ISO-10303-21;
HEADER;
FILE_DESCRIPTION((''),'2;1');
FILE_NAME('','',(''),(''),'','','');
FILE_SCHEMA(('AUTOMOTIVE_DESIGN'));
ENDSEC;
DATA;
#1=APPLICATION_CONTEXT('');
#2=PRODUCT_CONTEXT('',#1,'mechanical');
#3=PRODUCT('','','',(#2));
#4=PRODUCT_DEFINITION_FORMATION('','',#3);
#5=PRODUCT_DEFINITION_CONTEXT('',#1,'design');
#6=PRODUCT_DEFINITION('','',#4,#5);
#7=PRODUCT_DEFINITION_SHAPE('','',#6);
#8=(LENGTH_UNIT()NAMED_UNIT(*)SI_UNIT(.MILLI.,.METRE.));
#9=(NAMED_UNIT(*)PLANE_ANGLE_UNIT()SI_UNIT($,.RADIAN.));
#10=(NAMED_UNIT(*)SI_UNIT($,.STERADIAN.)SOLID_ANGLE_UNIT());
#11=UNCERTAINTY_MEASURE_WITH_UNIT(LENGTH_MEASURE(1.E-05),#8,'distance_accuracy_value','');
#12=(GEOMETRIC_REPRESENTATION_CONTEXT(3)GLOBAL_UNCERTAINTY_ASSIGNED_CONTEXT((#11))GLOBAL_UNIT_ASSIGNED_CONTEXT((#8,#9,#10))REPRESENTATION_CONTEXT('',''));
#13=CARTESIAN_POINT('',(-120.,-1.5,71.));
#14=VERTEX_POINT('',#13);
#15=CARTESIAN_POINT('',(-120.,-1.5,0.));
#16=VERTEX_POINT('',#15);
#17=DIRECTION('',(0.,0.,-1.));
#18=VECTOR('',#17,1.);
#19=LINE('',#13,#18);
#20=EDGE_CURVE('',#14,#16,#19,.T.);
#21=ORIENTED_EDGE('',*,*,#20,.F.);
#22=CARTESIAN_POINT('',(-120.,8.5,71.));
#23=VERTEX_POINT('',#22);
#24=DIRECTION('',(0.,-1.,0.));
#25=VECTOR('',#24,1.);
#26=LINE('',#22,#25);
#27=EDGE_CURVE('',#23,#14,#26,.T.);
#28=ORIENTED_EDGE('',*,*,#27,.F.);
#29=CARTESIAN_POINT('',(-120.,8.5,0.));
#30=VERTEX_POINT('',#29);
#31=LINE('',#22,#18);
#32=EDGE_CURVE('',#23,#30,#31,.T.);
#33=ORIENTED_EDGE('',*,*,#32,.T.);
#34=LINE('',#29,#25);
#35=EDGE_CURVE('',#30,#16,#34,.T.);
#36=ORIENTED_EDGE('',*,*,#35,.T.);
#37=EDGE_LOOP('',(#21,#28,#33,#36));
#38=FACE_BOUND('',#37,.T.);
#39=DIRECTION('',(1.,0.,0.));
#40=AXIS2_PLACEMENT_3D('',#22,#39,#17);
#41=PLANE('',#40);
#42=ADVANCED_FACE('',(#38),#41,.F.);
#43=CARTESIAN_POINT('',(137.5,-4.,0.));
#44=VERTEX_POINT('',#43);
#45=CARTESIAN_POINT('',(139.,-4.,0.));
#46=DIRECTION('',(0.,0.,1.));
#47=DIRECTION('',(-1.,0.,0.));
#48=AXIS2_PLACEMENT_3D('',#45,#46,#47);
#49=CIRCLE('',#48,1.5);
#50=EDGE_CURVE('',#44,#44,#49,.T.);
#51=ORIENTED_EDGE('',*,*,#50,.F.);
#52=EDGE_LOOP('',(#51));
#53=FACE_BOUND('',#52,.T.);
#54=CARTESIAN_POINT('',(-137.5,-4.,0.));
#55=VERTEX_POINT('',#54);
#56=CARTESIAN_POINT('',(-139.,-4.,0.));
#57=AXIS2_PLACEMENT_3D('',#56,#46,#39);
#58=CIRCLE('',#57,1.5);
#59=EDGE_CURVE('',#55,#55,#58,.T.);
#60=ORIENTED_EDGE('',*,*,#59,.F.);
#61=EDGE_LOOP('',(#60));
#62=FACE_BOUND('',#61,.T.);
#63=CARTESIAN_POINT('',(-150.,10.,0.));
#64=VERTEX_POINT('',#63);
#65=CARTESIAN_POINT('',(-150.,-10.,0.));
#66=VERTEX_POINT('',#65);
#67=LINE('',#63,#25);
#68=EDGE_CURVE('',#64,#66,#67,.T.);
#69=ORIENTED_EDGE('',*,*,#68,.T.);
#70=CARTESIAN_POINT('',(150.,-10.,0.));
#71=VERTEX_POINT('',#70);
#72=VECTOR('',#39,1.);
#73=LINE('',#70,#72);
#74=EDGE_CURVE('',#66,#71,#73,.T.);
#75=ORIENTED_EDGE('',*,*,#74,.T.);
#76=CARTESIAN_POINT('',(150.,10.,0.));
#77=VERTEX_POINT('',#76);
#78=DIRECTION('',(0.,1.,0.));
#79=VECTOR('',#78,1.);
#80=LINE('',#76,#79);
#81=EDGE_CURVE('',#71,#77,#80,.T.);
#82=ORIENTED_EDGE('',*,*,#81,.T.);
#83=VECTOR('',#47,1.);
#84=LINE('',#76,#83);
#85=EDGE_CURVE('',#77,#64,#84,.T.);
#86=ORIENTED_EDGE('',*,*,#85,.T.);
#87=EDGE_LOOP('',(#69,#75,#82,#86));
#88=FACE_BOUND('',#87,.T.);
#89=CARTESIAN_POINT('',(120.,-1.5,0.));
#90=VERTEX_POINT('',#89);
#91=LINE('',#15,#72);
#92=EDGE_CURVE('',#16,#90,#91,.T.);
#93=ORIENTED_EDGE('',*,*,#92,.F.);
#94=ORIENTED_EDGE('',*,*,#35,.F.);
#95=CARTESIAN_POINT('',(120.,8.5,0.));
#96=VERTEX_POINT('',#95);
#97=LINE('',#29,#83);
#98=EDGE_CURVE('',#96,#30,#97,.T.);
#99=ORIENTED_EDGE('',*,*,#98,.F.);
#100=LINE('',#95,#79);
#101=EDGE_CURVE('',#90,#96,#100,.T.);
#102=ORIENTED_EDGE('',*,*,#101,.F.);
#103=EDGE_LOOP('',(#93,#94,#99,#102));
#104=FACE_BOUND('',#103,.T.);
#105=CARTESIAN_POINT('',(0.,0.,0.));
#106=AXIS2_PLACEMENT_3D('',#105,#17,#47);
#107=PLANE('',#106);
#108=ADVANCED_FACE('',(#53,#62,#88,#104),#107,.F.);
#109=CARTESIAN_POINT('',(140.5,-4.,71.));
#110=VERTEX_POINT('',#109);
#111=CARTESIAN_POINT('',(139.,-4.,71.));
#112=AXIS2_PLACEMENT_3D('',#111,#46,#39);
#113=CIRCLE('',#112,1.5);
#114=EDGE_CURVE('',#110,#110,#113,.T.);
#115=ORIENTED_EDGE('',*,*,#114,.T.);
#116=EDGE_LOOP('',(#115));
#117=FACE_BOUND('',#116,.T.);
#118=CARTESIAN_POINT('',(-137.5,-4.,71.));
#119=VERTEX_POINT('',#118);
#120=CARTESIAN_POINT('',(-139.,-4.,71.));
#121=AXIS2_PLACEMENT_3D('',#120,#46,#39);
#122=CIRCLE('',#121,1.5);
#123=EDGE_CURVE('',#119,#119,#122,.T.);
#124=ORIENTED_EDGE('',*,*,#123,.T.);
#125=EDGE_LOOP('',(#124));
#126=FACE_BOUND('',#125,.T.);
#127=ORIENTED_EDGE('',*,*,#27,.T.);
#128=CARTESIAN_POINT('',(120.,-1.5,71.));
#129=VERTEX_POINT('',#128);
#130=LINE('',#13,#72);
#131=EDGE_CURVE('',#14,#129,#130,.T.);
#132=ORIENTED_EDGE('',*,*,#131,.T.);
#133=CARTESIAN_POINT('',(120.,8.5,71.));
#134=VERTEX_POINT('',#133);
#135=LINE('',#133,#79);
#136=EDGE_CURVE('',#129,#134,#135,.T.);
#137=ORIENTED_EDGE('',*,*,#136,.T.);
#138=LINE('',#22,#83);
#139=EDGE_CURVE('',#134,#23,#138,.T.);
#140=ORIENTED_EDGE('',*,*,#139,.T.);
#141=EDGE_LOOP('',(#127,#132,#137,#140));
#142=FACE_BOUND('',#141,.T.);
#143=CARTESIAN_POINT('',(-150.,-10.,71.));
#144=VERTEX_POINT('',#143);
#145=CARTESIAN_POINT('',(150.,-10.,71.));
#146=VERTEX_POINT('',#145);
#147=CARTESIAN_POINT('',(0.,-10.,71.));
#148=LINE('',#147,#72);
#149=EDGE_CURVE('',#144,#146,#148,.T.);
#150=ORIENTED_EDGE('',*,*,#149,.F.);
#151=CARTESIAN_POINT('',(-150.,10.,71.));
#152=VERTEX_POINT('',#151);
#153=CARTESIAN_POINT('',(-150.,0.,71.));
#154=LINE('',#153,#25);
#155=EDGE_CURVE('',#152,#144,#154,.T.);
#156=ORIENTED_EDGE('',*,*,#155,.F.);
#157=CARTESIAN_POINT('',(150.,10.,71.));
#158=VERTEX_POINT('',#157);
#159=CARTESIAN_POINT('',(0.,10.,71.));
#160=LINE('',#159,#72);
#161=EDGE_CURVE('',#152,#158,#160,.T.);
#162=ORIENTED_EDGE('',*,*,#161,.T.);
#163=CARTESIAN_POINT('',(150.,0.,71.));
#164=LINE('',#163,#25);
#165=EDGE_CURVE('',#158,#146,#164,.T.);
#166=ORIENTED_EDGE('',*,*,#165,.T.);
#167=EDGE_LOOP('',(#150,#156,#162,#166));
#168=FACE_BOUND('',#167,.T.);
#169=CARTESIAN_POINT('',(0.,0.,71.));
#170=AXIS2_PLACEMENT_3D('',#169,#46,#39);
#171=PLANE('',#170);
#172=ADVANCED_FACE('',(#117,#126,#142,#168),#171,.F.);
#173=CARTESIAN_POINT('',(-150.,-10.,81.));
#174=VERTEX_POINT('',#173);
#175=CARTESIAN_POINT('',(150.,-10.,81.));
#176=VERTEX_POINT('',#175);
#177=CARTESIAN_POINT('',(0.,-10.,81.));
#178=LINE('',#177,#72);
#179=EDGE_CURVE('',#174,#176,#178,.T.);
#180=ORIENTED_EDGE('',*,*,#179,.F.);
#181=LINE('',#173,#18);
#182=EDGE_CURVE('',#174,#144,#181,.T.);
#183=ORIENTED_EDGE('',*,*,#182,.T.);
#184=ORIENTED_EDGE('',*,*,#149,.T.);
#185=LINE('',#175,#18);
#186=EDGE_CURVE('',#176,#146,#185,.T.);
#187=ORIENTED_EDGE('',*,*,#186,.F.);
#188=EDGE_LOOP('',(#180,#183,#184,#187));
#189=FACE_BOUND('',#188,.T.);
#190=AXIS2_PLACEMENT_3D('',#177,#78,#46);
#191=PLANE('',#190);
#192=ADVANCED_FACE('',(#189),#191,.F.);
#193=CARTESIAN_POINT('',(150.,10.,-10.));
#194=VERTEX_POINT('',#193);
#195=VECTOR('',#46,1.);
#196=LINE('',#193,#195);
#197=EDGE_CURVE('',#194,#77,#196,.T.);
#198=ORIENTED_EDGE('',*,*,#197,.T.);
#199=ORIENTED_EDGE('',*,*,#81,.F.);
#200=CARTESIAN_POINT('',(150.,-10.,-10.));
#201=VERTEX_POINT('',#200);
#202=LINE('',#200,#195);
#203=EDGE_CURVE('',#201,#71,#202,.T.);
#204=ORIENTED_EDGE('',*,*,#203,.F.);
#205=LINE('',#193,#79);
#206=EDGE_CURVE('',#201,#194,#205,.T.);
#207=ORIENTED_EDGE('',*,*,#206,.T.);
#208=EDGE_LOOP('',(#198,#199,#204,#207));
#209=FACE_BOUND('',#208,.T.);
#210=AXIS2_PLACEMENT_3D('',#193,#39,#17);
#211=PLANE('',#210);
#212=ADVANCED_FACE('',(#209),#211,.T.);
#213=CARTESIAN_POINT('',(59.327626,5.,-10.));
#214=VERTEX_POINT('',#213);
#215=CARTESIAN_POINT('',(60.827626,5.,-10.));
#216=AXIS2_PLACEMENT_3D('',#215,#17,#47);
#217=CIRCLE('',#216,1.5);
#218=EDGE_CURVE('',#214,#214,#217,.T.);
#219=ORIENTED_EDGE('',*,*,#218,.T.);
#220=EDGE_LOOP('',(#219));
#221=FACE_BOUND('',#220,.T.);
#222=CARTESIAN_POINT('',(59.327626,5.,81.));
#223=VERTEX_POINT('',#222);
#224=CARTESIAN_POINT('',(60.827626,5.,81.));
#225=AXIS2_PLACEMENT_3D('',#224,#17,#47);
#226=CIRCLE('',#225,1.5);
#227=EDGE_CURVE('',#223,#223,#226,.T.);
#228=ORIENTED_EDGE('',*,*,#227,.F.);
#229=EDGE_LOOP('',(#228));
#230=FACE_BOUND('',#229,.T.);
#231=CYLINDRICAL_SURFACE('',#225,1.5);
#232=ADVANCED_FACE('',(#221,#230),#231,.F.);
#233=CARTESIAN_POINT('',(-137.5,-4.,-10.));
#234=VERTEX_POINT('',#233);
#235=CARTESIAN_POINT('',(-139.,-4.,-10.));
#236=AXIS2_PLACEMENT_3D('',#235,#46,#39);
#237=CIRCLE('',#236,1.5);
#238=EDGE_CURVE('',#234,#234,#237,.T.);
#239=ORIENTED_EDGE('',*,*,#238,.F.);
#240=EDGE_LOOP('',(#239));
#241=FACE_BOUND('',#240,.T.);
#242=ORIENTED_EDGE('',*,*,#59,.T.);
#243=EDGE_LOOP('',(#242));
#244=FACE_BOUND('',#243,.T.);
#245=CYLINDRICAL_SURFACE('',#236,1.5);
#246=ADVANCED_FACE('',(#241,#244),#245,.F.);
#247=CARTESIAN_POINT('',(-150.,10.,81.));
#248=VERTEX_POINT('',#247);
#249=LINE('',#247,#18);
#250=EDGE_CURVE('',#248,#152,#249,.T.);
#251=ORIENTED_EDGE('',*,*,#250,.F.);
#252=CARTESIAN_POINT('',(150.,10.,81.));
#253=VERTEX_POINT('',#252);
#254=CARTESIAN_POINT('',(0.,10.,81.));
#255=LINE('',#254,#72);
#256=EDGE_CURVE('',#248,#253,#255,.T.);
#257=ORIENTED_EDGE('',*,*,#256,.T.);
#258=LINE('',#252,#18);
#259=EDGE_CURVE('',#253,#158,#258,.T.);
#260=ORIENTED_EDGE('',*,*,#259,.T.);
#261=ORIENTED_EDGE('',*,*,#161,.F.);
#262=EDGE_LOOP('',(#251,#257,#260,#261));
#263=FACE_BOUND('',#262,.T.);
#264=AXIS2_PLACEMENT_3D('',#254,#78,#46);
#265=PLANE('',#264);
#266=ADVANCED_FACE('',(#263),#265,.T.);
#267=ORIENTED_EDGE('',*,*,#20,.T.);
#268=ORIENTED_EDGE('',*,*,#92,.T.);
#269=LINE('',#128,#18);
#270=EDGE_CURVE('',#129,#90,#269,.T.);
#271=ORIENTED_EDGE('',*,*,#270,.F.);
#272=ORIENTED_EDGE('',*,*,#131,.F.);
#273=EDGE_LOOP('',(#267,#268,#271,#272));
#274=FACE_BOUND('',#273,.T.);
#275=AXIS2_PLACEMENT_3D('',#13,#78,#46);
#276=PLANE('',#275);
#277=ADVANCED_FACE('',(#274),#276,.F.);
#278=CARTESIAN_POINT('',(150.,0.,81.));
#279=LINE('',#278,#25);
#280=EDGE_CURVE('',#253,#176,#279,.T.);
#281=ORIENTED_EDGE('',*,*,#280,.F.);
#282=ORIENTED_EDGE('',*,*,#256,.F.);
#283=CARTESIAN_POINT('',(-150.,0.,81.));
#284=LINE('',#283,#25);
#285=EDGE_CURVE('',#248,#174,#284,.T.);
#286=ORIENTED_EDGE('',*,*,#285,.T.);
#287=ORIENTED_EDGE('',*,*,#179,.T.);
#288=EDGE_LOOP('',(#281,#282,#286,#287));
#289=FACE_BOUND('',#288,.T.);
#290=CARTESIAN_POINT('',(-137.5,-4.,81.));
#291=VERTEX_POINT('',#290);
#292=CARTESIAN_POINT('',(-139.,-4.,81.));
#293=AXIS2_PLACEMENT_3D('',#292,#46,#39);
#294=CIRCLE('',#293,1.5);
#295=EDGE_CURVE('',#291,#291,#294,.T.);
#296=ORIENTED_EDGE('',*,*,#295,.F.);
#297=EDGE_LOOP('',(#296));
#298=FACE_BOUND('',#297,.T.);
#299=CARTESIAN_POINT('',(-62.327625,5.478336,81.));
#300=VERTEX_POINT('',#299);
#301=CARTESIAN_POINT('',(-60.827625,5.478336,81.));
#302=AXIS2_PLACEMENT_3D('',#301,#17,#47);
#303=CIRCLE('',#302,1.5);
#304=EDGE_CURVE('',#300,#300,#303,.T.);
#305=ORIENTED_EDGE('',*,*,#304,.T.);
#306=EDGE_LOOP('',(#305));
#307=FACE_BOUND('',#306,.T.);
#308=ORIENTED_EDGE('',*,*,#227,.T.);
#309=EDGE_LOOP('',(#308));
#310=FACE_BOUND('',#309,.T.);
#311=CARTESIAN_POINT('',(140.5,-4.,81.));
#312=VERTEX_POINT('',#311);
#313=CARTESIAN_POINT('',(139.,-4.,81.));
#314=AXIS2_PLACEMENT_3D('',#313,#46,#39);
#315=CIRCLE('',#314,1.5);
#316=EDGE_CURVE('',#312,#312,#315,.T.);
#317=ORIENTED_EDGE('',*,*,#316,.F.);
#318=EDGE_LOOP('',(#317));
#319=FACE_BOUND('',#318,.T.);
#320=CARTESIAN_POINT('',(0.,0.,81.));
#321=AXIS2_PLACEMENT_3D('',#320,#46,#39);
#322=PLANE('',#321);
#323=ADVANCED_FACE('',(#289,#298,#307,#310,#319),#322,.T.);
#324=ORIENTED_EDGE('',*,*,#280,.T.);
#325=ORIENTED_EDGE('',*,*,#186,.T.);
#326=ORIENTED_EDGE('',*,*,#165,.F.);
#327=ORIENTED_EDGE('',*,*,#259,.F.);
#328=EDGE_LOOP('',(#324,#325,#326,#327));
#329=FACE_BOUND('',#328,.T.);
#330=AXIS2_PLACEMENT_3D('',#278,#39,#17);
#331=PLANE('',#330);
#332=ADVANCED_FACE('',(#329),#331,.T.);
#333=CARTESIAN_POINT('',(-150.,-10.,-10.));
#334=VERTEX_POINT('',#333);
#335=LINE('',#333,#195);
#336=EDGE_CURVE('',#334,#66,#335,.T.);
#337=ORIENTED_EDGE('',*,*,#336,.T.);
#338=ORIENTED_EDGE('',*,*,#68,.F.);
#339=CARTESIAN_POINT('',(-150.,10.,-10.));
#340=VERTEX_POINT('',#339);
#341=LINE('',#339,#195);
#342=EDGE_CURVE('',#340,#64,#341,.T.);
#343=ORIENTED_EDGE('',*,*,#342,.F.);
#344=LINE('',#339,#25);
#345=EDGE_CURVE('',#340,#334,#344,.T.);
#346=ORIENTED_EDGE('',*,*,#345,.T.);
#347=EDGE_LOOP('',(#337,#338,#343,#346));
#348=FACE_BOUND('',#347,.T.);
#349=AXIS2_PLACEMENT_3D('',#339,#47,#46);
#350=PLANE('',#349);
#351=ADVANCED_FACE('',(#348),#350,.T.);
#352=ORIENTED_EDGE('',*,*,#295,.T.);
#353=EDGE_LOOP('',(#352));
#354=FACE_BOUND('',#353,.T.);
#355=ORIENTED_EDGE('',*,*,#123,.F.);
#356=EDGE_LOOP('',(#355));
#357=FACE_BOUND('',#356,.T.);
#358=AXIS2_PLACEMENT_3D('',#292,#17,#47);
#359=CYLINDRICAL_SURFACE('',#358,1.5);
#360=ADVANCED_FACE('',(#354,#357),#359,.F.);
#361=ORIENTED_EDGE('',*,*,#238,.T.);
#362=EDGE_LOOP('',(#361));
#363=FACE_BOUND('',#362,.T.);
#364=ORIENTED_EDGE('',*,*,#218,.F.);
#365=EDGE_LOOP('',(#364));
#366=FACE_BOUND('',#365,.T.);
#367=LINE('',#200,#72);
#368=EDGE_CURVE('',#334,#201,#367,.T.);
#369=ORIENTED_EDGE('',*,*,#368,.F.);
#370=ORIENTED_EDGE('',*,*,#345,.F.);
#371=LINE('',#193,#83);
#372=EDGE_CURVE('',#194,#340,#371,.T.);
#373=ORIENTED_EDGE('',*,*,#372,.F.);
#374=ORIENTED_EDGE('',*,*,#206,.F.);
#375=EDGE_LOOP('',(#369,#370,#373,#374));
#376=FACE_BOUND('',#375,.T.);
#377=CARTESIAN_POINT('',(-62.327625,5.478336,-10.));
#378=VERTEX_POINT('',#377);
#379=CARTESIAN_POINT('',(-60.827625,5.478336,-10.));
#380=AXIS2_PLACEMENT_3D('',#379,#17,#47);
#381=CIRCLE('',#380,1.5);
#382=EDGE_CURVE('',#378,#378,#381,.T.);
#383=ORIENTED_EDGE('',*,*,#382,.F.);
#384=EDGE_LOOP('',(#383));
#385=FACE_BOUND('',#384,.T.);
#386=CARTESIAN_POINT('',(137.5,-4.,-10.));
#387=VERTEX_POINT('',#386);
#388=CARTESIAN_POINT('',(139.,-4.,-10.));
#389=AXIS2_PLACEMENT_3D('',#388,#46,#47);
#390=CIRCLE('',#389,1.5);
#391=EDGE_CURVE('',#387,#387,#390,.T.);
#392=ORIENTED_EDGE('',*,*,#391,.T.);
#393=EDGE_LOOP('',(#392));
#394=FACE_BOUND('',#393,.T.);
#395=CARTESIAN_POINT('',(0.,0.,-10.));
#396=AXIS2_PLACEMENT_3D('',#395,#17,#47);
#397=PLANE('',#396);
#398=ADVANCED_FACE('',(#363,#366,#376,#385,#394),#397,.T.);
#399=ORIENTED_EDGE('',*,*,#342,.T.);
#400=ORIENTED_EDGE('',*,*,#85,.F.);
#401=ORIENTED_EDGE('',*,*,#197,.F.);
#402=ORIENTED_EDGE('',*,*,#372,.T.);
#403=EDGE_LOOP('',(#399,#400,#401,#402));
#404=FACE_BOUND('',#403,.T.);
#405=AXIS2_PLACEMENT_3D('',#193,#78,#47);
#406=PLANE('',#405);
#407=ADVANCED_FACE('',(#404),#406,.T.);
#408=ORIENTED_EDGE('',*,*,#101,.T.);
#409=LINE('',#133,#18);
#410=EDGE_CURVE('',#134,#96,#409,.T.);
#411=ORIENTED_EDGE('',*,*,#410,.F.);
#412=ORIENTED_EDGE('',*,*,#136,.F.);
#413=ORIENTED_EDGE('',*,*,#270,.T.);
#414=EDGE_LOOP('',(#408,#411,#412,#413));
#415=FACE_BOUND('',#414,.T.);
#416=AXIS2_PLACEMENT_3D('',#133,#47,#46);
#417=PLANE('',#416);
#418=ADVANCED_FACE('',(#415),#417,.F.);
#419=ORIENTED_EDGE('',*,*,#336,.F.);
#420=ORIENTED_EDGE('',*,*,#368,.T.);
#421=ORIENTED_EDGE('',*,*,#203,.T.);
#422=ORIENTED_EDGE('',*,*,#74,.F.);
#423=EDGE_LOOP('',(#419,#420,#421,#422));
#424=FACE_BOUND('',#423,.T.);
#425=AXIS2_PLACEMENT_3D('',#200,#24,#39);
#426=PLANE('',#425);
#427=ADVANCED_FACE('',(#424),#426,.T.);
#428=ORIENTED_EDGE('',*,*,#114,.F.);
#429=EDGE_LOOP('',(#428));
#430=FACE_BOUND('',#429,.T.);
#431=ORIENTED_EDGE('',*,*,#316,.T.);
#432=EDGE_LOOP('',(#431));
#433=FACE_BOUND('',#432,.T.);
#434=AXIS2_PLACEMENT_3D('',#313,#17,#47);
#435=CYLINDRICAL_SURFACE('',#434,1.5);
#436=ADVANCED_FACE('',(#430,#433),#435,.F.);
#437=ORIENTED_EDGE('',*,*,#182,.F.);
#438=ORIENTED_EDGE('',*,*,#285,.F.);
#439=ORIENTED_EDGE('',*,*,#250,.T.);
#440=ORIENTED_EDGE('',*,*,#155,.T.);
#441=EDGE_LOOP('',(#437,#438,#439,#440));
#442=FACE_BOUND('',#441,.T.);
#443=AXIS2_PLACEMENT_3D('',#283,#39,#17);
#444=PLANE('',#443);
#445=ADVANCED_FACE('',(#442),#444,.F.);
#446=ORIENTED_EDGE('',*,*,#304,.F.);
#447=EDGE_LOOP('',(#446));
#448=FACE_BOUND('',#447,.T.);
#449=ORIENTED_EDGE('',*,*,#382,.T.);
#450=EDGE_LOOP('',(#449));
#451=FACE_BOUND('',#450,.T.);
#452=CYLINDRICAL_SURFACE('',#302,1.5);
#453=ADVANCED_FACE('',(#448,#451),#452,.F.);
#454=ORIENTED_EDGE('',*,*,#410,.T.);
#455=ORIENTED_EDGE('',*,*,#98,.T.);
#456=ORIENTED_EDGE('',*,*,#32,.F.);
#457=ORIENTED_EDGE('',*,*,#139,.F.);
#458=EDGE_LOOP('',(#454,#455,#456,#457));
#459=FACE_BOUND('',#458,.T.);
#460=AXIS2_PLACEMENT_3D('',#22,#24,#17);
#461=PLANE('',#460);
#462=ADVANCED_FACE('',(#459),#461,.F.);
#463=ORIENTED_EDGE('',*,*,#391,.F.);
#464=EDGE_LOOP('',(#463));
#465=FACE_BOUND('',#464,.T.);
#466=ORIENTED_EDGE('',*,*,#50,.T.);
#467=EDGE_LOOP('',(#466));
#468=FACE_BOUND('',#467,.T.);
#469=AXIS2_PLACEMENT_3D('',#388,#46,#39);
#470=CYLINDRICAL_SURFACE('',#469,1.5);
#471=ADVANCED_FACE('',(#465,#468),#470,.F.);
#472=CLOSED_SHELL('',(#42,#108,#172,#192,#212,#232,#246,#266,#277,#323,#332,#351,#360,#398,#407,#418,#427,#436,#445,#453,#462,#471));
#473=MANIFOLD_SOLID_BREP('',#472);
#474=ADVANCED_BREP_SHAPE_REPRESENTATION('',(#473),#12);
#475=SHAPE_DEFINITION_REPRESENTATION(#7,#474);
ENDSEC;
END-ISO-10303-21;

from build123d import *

# Parameters (mm, degrees)
CROQUIS1_W              = 300
CROQUIS1_H              = 20
CROQUIS1_R              = 1.5
SALIENTE_EXTRUIR1_DEPTH = 10
CROQUIS2_W              = 240
CROQUIS2_H              = 10
SALIENTE_EXTRUIR2_DEPTH = 71
SALIENTE_EXTRUIR3_START = 10
CROQUIS3_W              = 300
CROQUIS3_H              = 20
CROQUIS3_R              = 1.5
SALIENTE_EXTRUIR3_DEPTH = 10
CROQUIS6_R              = 1.5
CORTAR_EXTRUIR1_DEPTH   = 176.72990639


with BuildPart() as part:
    # Croquis1 → Saliente-Extruir1 (new body)
    with BuildSketch(Plane.XY):
        Rectangle(CROQUIS1_W, CROQUIS1_H)
        with Locations((-139, -4)):
            Circle(CROQUIS1_R, mode=Mode.SUBTRACT)
        with Locations(Location((139, -4, 0), (0, 0, 180))):
            Circle(CROQUIS1_R, mode=Mode.SUBTRACT)
    extrude(amount=-SALIENTE_EXTRUIR1_DEPTH)

    # Croquis2 → Saliente-Extruir2 (add)
    with BuildSketch(Plane.XY):
        with Locations((0, 3.5)):
            Rectangle(CROQUIS2_W, CROQUIS2_H)
    extrude(amount=SALIENTE_EXTRUIR2_DEPTH)

    # Croquis3 → Saliente-Extruir3 (add)
    with BuildSketch(Plane.XY.offset(71).offset(SALIENTE_EXTRUIR3_START)):
        Rectangle(CROQUIS3_W, CROQUIS3_H)
        with Locations((-139, -4)):
            Circle(CROQUIS3_R, mode=Mode.SUBTRACT)
        with Locations(Location((139, -4, 0), (0, 0, 180))):
            Circle(CROQUIS3_R, mode=Mode.SUBTRACT)
    extrude(amount=-SALIENTE_EXTRUIR3_DEPTH)

    # Croquis6 → Cortar-Extruir1 (cut, through all)
    with BuildSketch(Plane(origin=(0, 0, -10), x_dir=(-1, 0, 0), z_dir=(0, 0, -1))):
        with Locations((-60.8276255, 5)):
            Circle(CROQUIS6_R)
        with Locations((60.827625106, 5.478335841)):
            Circle(CROQUIS6_R)
    extrude(amount=-CORTAR_EXTRUIR1_DEPTH, mode=Mode.SUBTRACT)


solid = part.part
